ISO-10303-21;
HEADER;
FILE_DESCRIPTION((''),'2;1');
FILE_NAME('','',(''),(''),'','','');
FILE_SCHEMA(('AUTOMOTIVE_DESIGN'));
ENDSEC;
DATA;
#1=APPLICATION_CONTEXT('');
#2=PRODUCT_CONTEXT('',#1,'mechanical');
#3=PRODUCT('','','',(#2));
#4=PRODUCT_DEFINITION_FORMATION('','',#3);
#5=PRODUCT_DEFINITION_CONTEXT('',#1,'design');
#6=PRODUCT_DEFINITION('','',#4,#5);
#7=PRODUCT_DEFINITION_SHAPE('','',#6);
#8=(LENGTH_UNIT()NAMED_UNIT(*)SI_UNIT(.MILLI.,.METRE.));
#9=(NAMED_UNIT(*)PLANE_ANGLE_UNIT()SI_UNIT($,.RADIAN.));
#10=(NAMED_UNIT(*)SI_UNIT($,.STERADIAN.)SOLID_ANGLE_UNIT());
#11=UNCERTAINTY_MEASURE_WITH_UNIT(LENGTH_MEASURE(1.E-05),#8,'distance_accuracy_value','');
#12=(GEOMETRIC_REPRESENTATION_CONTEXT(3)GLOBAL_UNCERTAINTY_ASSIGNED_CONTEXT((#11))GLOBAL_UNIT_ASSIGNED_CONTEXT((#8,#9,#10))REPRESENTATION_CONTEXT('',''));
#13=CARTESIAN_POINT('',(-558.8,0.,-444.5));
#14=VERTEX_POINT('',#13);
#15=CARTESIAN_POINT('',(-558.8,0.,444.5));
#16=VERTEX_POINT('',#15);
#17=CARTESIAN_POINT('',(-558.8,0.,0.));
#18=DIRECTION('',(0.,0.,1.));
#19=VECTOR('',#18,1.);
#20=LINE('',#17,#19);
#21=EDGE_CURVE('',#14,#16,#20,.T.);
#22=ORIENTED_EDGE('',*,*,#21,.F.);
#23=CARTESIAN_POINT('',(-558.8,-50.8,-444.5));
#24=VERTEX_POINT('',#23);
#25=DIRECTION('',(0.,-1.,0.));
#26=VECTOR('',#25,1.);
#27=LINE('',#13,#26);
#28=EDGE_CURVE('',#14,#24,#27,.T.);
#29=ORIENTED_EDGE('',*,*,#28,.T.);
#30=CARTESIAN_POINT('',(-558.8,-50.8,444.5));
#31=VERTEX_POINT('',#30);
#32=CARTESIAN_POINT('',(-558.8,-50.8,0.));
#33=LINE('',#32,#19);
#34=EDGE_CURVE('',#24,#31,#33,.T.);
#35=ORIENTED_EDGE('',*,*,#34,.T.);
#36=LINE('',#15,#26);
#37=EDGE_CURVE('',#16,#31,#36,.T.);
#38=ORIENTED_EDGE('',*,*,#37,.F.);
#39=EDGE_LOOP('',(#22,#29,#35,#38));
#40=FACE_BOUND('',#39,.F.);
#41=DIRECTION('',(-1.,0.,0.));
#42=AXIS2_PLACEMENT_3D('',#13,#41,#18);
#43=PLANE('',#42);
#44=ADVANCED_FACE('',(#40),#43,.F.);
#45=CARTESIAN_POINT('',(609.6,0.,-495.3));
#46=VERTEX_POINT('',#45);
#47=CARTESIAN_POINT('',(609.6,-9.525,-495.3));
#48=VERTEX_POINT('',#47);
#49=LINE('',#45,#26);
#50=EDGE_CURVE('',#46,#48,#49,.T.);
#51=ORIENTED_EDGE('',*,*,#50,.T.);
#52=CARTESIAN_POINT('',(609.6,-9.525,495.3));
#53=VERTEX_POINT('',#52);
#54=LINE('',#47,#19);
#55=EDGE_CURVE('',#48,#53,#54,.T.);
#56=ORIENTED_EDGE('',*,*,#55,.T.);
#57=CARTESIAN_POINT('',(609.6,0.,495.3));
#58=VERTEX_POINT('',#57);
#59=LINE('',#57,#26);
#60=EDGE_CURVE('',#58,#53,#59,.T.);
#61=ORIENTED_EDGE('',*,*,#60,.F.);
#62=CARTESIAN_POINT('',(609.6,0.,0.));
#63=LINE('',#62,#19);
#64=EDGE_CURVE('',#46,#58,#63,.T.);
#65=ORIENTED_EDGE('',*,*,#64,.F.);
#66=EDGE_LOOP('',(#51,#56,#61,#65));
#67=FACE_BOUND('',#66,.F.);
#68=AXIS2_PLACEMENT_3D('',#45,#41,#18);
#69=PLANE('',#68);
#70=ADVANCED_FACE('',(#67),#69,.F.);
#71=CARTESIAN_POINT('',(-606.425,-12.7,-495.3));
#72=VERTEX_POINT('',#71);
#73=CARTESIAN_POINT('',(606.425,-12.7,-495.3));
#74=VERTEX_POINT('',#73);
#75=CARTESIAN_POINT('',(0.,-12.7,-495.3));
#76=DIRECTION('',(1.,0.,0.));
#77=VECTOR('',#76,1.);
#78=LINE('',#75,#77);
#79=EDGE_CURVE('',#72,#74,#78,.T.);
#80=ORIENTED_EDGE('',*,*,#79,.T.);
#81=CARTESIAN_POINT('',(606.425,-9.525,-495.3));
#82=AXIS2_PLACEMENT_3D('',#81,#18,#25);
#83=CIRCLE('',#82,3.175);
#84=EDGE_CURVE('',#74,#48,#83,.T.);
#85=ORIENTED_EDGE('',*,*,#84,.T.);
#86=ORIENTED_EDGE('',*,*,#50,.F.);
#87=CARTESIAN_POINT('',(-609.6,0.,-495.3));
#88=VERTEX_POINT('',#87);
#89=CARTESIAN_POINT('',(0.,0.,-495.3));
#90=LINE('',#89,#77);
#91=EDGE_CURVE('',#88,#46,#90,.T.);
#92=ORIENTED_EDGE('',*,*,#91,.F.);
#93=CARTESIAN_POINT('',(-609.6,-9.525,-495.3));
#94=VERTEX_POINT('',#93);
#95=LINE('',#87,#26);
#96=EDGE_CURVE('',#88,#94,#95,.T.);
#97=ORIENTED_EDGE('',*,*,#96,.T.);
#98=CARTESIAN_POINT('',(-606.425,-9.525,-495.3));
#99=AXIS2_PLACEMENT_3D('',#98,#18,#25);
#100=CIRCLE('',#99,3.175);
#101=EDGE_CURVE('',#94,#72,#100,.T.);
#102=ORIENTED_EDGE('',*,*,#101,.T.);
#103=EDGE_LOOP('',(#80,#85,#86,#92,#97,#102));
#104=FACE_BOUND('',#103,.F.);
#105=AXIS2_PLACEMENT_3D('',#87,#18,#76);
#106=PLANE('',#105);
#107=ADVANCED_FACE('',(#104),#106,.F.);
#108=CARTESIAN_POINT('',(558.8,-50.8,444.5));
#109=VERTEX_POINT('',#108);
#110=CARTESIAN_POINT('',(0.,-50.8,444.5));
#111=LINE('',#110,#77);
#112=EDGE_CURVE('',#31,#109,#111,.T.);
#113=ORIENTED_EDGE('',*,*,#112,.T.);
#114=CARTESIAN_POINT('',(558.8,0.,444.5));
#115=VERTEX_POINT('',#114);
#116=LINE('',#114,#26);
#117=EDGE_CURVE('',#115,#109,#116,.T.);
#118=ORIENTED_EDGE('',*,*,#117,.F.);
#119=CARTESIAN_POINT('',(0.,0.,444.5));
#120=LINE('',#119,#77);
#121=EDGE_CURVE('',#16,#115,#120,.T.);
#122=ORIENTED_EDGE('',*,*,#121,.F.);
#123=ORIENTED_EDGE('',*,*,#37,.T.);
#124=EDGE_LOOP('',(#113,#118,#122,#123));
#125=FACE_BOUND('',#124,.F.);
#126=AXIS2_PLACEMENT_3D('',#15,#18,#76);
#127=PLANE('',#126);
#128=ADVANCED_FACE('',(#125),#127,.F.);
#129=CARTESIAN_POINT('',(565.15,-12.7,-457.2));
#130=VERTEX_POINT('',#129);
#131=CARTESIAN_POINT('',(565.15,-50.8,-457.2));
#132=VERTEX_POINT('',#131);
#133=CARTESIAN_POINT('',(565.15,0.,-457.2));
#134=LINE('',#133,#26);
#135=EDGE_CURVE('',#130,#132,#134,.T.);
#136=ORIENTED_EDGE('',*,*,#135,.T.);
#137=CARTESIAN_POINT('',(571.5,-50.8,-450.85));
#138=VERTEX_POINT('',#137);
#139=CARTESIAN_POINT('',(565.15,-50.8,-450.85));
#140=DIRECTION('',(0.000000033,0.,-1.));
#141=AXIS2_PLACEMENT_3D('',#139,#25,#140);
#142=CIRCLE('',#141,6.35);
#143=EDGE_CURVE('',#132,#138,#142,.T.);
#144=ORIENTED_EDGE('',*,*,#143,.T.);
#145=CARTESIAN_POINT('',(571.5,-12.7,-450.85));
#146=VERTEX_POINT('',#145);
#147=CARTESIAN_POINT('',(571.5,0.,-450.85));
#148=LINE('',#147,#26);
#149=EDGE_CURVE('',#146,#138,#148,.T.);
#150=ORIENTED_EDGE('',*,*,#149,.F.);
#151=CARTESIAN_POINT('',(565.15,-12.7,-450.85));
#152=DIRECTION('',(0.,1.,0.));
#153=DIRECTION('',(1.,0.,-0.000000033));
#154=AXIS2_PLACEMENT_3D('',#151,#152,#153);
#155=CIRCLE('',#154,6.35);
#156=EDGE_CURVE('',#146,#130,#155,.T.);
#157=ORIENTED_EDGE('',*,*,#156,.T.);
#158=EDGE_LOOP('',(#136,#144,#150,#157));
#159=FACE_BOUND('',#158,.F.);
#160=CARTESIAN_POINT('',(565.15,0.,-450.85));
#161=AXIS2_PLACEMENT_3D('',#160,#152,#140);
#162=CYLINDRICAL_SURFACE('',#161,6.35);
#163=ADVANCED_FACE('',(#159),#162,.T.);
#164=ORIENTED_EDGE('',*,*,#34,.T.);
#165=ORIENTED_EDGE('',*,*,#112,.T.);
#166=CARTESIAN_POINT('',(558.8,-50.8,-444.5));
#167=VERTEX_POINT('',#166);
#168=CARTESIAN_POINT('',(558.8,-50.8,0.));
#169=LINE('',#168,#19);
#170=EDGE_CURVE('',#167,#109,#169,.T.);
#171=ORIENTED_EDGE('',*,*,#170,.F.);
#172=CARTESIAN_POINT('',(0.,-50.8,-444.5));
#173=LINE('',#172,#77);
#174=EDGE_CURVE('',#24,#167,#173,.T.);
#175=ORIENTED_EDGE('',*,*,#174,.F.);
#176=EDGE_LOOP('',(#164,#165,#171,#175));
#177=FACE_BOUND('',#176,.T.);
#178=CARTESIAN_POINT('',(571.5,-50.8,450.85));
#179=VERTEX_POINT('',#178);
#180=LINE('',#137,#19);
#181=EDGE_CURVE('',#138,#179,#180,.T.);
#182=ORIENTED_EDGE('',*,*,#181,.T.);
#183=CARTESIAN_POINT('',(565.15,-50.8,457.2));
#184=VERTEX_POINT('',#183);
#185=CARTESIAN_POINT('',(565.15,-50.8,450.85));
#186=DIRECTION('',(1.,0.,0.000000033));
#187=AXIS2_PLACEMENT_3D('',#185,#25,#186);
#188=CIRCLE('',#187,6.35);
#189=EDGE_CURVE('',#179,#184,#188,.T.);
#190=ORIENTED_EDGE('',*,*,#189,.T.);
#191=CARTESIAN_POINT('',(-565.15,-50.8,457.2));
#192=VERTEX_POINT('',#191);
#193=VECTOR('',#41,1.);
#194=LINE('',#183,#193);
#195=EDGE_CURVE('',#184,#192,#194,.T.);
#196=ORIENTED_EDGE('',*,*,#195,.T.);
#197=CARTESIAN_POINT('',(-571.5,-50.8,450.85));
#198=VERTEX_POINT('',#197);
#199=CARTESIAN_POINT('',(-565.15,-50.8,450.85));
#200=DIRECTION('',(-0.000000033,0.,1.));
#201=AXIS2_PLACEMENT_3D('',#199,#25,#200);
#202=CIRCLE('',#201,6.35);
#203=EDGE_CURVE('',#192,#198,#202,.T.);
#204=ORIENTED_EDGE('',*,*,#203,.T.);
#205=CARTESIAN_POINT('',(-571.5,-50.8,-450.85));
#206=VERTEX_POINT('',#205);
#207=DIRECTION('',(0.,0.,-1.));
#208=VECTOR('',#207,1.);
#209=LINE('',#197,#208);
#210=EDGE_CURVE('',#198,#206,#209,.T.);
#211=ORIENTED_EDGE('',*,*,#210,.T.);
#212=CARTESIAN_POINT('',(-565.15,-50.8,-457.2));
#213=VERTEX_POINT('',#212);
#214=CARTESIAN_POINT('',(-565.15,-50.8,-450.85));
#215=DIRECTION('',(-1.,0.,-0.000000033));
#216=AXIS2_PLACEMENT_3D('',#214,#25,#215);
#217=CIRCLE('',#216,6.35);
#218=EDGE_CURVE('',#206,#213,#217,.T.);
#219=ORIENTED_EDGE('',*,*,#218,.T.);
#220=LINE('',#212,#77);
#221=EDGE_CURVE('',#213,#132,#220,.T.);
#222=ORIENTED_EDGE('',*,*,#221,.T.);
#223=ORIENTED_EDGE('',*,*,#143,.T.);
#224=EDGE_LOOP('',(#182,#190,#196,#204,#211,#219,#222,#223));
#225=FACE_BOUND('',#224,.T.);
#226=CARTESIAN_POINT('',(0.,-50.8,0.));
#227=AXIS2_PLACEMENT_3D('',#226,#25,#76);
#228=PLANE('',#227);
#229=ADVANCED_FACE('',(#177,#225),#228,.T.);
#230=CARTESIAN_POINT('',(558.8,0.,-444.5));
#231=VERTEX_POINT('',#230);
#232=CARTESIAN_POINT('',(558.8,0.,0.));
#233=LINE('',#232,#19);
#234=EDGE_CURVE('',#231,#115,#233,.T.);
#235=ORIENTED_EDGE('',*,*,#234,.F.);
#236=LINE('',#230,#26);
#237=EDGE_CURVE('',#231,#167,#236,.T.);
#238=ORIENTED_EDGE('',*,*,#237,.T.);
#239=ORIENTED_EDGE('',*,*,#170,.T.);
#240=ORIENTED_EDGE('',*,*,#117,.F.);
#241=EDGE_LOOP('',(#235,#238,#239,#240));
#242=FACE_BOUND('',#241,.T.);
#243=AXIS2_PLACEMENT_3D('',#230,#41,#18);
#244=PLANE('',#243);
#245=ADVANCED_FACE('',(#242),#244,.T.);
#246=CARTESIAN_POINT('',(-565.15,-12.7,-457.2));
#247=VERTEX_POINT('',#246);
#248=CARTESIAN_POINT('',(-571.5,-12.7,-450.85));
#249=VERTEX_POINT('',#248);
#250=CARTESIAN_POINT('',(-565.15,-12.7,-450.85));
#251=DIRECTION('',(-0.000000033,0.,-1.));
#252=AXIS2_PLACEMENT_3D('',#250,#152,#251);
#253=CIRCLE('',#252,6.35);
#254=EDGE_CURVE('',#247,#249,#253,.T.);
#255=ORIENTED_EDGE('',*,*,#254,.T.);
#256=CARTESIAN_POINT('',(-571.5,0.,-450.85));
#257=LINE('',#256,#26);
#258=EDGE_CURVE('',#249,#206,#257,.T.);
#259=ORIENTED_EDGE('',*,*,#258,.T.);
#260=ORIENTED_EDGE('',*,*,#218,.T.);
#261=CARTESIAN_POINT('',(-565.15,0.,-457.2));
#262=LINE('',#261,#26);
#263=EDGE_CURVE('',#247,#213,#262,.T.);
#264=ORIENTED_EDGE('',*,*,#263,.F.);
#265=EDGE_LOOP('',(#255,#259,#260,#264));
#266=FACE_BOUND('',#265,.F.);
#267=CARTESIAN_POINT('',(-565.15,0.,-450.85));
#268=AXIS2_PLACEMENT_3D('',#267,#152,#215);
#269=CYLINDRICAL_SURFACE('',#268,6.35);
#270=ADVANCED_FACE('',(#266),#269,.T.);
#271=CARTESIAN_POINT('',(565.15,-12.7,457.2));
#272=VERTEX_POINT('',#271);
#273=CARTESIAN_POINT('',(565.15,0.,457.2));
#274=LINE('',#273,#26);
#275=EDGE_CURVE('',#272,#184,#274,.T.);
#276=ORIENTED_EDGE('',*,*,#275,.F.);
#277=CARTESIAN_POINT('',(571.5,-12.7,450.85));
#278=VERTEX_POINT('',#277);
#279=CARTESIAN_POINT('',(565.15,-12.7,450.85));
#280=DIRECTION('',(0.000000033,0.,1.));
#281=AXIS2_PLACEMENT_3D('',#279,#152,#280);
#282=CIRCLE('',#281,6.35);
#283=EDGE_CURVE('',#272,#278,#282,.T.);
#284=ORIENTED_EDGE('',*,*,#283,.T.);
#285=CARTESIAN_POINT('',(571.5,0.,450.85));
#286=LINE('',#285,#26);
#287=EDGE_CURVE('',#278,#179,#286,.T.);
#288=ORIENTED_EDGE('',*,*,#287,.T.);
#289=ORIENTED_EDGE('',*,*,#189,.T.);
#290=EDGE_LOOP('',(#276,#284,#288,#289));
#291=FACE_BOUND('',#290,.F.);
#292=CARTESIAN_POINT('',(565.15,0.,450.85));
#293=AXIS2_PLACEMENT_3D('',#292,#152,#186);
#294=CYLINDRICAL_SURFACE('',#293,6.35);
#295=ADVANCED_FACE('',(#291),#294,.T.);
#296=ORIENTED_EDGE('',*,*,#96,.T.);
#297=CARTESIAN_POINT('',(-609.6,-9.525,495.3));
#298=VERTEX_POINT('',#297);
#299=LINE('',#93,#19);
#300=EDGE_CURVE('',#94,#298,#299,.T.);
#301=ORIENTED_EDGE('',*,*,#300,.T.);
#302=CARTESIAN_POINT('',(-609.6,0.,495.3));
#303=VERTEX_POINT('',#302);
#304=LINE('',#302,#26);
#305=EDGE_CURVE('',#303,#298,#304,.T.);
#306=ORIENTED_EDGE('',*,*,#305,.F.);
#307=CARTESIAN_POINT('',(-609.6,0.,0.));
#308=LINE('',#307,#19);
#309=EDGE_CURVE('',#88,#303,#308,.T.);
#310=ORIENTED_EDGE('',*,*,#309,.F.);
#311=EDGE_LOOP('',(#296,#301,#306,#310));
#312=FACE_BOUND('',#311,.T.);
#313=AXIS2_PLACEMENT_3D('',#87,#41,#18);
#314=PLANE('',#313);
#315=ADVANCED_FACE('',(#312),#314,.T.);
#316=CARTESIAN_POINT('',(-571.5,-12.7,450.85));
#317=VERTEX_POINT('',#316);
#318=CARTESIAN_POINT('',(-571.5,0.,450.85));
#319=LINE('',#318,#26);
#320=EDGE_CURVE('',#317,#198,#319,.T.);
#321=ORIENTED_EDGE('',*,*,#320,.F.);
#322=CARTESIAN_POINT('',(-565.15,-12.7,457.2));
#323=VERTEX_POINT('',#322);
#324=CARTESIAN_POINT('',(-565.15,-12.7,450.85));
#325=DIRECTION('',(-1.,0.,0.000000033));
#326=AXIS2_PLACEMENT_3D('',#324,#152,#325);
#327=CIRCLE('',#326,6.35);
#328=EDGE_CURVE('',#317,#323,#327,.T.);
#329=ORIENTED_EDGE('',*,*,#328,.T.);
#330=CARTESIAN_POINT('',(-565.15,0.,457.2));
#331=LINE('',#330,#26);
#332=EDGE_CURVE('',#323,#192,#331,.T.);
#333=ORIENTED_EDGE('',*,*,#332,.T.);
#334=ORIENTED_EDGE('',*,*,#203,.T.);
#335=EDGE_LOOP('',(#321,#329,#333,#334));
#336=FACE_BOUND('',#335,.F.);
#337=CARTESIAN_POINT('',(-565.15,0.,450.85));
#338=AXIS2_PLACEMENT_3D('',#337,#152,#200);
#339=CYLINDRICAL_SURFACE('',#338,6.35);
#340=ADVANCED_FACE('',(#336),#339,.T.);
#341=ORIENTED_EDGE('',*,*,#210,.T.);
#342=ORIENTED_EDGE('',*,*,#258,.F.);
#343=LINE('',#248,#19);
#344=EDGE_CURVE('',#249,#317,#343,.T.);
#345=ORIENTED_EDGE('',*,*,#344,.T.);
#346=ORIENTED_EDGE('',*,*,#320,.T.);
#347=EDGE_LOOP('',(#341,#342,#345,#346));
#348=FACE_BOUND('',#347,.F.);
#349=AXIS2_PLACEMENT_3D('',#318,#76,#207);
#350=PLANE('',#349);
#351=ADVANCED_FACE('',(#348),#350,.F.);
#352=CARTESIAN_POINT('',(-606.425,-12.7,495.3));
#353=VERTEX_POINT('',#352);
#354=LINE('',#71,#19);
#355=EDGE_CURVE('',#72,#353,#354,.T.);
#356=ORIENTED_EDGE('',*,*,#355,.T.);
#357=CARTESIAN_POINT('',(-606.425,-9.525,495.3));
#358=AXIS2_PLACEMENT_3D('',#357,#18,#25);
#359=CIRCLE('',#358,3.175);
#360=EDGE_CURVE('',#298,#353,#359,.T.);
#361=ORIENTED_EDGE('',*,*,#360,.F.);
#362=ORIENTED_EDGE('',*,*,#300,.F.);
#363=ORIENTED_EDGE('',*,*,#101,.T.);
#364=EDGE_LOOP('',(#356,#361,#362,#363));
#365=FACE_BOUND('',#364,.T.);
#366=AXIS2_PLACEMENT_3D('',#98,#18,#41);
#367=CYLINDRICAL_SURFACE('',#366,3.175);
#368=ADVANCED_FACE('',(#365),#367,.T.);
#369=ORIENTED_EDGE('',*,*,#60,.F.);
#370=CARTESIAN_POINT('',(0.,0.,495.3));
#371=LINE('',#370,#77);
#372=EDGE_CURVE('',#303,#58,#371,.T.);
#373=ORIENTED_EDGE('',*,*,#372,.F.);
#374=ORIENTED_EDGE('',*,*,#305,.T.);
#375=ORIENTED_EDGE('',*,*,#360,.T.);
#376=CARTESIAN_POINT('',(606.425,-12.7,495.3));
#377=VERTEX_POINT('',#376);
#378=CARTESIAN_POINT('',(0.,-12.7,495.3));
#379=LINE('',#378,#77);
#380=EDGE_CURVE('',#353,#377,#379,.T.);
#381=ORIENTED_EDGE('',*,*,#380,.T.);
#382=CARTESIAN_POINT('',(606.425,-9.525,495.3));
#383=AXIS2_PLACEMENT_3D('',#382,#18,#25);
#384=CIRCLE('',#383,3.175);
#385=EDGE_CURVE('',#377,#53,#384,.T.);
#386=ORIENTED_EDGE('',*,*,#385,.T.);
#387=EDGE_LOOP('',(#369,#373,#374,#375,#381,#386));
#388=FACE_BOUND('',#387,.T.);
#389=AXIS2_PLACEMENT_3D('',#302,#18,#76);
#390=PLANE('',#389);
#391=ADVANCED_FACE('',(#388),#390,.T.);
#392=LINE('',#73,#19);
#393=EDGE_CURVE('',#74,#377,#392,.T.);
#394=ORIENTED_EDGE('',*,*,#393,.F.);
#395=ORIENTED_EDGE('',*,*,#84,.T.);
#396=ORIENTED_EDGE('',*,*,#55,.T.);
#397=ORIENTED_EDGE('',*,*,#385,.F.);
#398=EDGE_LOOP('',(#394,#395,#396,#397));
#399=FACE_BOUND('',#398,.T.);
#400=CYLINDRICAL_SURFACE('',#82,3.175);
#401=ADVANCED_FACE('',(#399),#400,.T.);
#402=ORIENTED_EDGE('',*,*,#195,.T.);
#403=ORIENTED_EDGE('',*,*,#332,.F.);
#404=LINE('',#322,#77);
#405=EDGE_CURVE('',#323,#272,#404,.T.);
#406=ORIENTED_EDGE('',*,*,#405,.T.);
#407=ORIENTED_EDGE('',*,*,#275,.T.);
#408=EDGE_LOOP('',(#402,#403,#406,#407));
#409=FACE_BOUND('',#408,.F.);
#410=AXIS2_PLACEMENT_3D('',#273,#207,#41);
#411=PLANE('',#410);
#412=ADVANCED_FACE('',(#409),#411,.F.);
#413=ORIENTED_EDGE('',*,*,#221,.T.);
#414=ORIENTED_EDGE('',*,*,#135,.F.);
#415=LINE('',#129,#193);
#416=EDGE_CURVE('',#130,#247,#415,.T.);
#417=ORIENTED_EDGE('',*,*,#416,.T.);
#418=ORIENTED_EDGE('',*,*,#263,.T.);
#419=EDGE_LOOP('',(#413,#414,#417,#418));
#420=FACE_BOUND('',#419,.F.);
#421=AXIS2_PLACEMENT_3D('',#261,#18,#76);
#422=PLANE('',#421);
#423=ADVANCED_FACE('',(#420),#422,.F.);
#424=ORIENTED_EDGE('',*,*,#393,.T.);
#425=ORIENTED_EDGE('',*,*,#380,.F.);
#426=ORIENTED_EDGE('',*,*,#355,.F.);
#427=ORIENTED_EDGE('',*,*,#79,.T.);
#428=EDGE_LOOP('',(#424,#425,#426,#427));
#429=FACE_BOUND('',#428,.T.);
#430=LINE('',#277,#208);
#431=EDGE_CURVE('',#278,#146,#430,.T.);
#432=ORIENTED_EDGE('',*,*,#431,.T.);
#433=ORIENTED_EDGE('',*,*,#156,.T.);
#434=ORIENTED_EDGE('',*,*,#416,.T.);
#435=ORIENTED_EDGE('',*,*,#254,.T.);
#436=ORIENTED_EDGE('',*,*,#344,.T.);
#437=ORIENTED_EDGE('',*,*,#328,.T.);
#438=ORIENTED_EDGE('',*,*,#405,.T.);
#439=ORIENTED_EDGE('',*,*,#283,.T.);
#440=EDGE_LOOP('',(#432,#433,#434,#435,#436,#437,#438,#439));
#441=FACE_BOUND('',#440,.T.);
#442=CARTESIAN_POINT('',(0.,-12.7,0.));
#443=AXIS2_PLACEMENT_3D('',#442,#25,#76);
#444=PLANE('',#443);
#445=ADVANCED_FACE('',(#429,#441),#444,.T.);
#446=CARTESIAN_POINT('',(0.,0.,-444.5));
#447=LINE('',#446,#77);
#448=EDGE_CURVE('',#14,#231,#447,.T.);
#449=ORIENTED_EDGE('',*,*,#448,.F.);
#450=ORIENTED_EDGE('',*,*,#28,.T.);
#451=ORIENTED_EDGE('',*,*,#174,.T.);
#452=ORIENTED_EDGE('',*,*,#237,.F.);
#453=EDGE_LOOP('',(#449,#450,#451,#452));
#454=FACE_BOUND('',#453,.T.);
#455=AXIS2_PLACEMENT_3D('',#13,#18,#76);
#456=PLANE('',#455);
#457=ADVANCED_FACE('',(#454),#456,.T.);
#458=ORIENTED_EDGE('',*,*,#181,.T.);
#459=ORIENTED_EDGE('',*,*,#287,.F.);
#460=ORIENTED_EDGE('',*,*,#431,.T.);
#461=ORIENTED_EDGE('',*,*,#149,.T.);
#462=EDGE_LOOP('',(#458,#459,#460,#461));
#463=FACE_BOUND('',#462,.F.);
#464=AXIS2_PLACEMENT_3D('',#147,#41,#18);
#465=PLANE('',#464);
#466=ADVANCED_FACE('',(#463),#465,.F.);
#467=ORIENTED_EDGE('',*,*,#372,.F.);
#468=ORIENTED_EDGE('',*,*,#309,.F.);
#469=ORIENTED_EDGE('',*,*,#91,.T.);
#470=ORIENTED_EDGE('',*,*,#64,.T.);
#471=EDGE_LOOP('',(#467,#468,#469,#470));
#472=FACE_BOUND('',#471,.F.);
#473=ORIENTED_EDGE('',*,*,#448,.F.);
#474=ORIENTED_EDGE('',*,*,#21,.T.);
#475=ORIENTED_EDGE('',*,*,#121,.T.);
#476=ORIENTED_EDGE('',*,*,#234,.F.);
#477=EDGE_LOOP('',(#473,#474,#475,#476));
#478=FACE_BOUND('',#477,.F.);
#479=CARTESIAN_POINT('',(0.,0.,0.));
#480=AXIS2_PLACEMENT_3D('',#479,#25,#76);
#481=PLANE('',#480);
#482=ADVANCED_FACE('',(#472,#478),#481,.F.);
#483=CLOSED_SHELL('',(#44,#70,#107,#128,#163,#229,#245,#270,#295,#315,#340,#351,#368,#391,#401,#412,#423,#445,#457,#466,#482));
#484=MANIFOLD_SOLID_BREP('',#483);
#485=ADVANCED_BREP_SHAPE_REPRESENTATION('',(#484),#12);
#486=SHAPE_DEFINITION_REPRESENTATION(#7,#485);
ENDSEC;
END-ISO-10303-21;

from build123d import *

# Parameters (mm, degrees)
F0_W     = 1117.6
F0_H     = 889
F1_DEPTH = 50.8
F0_W_2   = 1219.2
F0_H_2   = 990.6
F2_DEPTH = 12.7
F3_R     = 3.175


with BuildPart() as f1:
    # F0 (on Front) → F1 (new body)
    with BuildSketch(Plane.XZ):
        with BuildLine():
            Line((-565.15, -457.2), (565.15, -457.2))
            ThreePointArc((565.15, -457.2), (569.640128, -455.340128), (571.5, -450.85))
            Line((571.5, -450.85), (571.5, 450.85))
            ThreePointArc((571.5, 450.85), (569.640128, 455.340128), (565.15, 457.2))
            Line((565.15, 457.2), (-565.15, 457.2))
            ThreePointArc((-565.15, 457.2), (-569.640128, 455.340128), (-571.5, 450.85))
            Line((-571.5, 450.85), (-571.5, -450.85))
            ThreePointArc((-571.5, -450.85), (-569.640128, -455.340128), (-565.15, -457.2))
        make_face()
        Rectangle(F0_W, F0_H, mode=Mode.SUBTRACT)
    extrude(amount=F1_DEPTH)

    # F0 (on Front) → F2 (join)
    with BuildSketch(Plane.XZ):
        Rectangle(F0_W_2, F0_H_2)
        with BuildLine():
            ThreePointArc((571.5, -450.85), (569.640128, -455.340128), (565.15, -457.2))
            Line((565.15, -457.2), (-565.15, -457.2))
            ThreePointArc((-565.15, -457.2), (-569.640128, -455.340128), (-571.5, -450.85))
            Line((-571.5, -450.85), (-571.5, 450.85))
            ThreePointArc((-571.5, 450.85), (-569.640128, 455.340128), (-565.15, 457.2))
            Line((-565.15, 457.2), (565.15, 457.2))
            ThreePointArc((565.15, 457.2), (569.640128, 455.340128), (571.5, 450.85))
            Line((571.5, 450.85), (571.5, -450.85))
        make_face(mode=Mode.SUBTRACT)
    extrude(amount=F2_DEPTH)

    # F3
    f3_edges = [f1.edges().sort_by_distance(p)[0] for p in [
        (-609.6, -12.7, 0),
        (609.6, -12.7, 0),
    ]]
    fillet(f3_edges, radius=F3_R)


solid = f1.part
